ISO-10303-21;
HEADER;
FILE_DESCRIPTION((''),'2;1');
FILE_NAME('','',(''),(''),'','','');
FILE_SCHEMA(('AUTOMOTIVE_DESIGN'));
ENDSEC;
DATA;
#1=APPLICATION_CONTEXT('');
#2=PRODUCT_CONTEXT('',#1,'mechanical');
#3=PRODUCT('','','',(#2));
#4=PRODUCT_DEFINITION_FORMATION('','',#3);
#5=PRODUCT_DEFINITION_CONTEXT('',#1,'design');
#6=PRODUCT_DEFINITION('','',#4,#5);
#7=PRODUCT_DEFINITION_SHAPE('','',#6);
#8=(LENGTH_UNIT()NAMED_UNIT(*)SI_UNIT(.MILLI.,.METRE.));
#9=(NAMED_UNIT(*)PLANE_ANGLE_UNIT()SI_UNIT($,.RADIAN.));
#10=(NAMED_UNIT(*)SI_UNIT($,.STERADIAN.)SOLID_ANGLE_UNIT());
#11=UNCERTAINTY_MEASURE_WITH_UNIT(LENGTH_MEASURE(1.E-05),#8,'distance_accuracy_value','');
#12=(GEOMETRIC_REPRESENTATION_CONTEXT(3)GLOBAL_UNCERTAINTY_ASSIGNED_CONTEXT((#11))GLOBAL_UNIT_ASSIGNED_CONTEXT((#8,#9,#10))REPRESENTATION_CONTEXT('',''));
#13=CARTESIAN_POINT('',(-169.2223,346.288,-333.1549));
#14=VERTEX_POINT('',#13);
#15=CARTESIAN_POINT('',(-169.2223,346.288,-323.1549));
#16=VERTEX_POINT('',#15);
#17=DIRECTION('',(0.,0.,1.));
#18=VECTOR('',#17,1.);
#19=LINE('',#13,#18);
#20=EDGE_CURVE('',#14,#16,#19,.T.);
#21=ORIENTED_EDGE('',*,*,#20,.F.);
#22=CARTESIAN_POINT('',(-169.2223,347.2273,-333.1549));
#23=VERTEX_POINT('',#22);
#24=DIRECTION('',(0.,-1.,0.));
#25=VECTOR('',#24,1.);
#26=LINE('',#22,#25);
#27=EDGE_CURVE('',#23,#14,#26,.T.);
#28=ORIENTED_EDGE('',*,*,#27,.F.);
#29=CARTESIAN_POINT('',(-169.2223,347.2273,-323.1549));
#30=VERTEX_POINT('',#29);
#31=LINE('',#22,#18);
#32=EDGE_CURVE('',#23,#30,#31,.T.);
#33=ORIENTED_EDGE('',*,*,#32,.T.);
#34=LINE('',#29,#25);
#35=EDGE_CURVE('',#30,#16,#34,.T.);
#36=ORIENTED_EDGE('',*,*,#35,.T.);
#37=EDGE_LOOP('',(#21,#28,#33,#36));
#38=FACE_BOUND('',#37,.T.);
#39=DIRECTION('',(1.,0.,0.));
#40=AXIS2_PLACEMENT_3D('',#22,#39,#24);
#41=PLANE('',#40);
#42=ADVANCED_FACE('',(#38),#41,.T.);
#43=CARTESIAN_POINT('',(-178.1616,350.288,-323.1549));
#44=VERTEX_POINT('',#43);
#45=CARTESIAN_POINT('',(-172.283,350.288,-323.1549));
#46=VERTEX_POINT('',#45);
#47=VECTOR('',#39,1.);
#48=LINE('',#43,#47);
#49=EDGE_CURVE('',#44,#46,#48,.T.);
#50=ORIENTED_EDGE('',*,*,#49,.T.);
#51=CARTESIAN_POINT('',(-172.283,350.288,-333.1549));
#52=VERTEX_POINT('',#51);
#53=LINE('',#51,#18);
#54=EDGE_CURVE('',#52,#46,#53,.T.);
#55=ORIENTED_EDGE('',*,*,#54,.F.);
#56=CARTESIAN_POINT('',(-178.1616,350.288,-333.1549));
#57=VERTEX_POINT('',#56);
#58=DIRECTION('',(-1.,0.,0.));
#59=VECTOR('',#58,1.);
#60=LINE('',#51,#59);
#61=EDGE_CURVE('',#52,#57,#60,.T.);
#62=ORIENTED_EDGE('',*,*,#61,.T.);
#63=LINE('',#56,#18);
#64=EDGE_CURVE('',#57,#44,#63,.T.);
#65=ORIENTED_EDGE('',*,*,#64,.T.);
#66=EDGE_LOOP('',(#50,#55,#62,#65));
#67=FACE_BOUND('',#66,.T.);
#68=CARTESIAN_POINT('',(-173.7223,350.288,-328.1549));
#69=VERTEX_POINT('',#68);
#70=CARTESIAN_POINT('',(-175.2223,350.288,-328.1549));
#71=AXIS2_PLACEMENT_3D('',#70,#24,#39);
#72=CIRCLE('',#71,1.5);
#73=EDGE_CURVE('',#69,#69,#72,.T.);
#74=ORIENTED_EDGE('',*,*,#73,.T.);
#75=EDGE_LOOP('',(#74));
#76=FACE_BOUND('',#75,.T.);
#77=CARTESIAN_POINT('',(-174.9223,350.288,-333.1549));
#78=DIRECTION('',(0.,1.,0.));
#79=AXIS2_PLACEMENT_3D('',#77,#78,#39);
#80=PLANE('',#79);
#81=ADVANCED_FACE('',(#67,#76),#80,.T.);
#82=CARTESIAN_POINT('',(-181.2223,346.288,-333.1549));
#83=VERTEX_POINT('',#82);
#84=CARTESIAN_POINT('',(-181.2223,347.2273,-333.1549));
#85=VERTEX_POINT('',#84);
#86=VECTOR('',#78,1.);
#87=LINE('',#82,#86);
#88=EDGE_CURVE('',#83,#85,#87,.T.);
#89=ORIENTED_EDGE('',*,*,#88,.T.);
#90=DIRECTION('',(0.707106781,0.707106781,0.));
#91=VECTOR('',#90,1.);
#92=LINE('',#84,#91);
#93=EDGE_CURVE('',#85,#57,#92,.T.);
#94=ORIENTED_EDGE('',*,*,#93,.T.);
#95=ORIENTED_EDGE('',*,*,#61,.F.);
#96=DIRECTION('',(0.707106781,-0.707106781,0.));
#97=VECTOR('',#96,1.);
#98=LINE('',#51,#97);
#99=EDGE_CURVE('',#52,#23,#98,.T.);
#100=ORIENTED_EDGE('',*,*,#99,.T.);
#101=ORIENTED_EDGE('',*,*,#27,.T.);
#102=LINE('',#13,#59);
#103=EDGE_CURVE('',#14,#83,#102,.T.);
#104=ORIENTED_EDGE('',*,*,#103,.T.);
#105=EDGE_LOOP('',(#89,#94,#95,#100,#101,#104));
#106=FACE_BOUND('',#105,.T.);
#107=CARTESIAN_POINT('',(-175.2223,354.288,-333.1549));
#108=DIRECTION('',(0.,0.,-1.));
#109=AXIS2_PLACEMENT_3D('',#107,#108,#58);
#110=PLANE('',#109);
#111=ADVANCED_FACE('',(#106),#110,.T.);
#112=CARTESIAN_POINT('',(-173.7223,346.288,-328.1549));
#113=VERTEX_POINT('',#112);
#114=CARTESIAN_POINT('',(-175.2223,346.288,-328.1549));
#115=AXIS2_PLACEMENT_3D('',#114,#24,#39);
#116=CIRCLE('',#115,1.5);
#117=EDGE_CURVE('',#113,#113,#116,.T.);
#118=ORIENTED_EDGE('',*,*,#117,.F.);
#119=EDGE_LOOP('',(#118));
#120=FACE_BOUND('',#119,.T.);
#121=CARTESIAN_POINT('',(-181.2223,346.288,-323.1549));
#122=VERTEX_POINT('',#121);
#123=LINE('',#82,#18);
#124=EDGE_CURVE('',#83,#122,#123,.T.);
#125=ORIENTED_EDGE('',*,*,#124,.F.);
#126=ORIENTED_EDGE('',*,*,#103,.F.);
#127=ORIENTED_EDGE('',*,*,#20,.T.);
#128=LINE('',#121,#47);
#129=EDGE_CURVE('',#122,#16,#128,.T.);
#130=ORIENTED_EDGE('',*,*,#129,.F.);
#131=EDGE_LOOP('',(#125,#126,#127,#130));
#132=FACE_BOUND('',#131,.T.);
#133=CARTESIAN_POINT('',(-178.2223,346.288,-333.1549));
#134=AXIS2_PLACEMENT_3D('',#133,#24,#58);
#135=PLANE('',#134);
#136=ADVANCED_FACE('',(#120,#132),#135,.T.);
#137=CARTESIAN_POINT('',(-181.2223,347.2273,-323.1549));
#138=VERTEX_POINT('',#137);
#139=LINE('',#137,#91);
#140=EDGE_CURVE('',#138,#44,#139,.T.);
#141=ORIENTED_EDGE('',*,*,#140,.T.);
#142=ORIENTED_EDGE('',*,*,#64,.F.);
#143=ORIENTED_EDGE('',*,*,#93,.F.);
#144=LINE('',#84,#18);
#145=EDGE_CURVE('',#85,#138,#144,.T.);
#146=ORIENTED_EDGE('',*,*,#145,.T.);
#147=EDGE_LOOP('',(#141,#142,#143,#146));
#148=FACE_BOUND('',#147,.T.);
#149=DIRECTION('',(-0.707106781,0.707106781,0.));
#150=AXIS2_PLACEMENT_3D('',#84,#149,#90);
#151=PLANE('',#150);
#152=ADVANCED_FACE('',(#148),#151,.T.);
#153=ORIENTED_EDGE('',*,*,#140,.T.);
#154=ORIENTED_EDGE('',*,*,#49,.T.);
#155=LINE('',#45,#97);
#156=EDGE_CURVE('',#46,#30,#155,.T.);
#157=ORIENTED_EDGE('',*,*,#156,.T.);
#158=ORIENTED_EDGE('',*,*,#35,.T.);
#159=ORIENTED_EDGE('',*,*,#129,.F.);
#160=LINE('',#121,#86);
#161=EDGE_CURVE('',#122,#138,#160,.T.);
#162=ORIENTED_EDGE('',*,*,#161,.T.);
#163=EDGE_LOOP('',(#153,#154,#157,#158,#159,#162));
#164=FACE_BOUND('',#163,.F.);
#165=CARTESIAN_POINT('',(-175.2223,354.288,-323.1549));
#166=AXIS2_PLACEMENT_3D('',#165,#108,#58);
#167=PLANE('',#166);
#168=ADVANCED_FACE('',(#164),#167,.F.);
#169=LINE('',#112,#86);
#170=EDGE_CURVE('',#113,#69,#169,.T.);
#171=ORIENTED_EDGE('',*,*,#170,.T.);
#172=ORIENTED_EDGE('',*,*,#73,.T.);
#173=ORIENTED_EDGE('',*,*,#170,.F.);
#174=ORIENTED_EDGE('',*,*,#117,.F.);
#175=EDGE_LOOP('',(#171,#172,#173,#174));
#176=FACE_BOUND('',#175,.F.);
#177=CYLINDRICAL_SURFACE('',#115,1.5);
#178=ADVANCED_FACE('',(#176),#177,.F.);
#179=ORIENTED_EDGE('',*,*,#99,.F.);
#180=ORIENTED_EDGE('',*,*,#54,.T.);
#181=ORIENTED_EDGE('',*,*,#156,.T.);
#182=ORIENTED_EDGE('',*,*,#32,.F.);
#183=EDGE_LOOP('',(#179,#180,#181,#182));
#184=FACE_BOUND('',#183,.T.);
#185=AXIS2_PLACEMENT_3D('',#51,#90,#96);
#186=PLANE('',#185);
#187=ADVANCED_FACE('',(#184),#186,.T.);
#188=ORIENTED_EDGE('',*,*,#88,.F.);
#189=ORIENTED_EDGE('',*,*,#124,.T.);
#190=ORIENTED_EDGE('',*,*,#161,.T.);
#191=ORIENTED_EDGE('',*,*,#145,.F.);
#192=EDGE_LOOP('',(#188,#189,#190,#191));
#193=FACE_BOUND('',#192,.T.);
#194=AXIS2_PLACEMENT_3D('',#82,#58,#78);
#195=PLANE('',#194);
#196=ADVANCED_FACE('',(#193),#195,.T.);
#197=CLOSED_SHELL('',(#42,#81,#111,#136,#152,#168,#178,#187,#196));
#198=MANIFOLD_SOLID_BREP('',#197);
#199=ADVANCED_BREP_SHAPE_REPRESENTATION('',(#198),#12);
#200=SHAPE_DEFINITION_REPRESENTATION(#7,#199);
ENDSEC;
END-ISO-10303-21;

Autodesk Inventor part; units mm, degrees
ref_plane "YZ Plane" through (0, 0, 0) normal (1, 0, 0) x (0, 1, 0)
ref_plane "XZ Plane" through (0, 0, 0) normal (0, 1, 0) x (-1, 0, 0)
ref_plane "XY Plane" through (0, 0, 0) normal (0, 0, 1) x (1, 0, 0)
ref_plane "РабПлоскость1" through (-175.2223, 354.288, -333.1549) normal (0, 0, -1) x (-1, 0, 0)
sketch "Эскиз1" plane through (-175.2223, 354.288, -333.1549) normal (0, 0, -1) x (-1, 0, 0)
  line L0 (-2.9393, -4) -> (-6, -7.0607) projected
  line L1 (-0.3, -4) -> (-2.9393, -4) projected
  line L2 (2.9393, -4) -> (0.3, -4) projected
  line L3 (6, -7.0607) -> (2.9393, -4) projected
  line L4 (6, -8) -> (6, -7.0607) projected
  line L5 (3, -8) -> (6, -8) projected
  line L6 (-6, -8) -> (-3, -8) projected
  line L7 (-6, -7.0607) -> (-6, -8) projected
  line L8 (0, -3.7) -> (-0.3, -4) projected
  line L9 (0.3, -4) -> (0, -3.7) projected
  line L10 (-2.9393, -4) -> (2.9393, -4)
  line L11 (6, -7.0607) -> (2.9393, -4)
  line L12 (3, -8) -> (6, -8)
  line L13 (6, -8) -> (6, -7.0607)
  line L14 (-3, -8) -> (-6, -8)
  line L15 (-6, -7.0607) -> (-6, -8)
  line L16 (-2.9393, -4) -> (-6, -7.0607)
  line L17 (3, -8) -> (-2.9393, -8)
  line L18 (-2.9393, -8) -> (-3, -8)
  point P0 (-175.2223, -354.288)
  point P1 (0.3, -4)
extrude "Выдавливание1" add sketch "Эскиз1" against normal blind 10 contours L1 L10 L2 L3 L4 L5 L17 L18 L6 L7 L0
sketch "Эскиз2" plane through (-181.2223, 346.288, -333.1549) normal (0, -1, 0) x (1, 0, 0)
  circle A0 centre (6, 5) radius 1.5
  line L0 (0, 10) -> (12, 10) projected
  point P0 (181.2223, 333.1549)
  dimension "d2" = 3
  dimension "d3" = 5
extrude "Выдавливание2" cut sketch "Эскиз2" against normal blind 10
properties part number "сухарь"
